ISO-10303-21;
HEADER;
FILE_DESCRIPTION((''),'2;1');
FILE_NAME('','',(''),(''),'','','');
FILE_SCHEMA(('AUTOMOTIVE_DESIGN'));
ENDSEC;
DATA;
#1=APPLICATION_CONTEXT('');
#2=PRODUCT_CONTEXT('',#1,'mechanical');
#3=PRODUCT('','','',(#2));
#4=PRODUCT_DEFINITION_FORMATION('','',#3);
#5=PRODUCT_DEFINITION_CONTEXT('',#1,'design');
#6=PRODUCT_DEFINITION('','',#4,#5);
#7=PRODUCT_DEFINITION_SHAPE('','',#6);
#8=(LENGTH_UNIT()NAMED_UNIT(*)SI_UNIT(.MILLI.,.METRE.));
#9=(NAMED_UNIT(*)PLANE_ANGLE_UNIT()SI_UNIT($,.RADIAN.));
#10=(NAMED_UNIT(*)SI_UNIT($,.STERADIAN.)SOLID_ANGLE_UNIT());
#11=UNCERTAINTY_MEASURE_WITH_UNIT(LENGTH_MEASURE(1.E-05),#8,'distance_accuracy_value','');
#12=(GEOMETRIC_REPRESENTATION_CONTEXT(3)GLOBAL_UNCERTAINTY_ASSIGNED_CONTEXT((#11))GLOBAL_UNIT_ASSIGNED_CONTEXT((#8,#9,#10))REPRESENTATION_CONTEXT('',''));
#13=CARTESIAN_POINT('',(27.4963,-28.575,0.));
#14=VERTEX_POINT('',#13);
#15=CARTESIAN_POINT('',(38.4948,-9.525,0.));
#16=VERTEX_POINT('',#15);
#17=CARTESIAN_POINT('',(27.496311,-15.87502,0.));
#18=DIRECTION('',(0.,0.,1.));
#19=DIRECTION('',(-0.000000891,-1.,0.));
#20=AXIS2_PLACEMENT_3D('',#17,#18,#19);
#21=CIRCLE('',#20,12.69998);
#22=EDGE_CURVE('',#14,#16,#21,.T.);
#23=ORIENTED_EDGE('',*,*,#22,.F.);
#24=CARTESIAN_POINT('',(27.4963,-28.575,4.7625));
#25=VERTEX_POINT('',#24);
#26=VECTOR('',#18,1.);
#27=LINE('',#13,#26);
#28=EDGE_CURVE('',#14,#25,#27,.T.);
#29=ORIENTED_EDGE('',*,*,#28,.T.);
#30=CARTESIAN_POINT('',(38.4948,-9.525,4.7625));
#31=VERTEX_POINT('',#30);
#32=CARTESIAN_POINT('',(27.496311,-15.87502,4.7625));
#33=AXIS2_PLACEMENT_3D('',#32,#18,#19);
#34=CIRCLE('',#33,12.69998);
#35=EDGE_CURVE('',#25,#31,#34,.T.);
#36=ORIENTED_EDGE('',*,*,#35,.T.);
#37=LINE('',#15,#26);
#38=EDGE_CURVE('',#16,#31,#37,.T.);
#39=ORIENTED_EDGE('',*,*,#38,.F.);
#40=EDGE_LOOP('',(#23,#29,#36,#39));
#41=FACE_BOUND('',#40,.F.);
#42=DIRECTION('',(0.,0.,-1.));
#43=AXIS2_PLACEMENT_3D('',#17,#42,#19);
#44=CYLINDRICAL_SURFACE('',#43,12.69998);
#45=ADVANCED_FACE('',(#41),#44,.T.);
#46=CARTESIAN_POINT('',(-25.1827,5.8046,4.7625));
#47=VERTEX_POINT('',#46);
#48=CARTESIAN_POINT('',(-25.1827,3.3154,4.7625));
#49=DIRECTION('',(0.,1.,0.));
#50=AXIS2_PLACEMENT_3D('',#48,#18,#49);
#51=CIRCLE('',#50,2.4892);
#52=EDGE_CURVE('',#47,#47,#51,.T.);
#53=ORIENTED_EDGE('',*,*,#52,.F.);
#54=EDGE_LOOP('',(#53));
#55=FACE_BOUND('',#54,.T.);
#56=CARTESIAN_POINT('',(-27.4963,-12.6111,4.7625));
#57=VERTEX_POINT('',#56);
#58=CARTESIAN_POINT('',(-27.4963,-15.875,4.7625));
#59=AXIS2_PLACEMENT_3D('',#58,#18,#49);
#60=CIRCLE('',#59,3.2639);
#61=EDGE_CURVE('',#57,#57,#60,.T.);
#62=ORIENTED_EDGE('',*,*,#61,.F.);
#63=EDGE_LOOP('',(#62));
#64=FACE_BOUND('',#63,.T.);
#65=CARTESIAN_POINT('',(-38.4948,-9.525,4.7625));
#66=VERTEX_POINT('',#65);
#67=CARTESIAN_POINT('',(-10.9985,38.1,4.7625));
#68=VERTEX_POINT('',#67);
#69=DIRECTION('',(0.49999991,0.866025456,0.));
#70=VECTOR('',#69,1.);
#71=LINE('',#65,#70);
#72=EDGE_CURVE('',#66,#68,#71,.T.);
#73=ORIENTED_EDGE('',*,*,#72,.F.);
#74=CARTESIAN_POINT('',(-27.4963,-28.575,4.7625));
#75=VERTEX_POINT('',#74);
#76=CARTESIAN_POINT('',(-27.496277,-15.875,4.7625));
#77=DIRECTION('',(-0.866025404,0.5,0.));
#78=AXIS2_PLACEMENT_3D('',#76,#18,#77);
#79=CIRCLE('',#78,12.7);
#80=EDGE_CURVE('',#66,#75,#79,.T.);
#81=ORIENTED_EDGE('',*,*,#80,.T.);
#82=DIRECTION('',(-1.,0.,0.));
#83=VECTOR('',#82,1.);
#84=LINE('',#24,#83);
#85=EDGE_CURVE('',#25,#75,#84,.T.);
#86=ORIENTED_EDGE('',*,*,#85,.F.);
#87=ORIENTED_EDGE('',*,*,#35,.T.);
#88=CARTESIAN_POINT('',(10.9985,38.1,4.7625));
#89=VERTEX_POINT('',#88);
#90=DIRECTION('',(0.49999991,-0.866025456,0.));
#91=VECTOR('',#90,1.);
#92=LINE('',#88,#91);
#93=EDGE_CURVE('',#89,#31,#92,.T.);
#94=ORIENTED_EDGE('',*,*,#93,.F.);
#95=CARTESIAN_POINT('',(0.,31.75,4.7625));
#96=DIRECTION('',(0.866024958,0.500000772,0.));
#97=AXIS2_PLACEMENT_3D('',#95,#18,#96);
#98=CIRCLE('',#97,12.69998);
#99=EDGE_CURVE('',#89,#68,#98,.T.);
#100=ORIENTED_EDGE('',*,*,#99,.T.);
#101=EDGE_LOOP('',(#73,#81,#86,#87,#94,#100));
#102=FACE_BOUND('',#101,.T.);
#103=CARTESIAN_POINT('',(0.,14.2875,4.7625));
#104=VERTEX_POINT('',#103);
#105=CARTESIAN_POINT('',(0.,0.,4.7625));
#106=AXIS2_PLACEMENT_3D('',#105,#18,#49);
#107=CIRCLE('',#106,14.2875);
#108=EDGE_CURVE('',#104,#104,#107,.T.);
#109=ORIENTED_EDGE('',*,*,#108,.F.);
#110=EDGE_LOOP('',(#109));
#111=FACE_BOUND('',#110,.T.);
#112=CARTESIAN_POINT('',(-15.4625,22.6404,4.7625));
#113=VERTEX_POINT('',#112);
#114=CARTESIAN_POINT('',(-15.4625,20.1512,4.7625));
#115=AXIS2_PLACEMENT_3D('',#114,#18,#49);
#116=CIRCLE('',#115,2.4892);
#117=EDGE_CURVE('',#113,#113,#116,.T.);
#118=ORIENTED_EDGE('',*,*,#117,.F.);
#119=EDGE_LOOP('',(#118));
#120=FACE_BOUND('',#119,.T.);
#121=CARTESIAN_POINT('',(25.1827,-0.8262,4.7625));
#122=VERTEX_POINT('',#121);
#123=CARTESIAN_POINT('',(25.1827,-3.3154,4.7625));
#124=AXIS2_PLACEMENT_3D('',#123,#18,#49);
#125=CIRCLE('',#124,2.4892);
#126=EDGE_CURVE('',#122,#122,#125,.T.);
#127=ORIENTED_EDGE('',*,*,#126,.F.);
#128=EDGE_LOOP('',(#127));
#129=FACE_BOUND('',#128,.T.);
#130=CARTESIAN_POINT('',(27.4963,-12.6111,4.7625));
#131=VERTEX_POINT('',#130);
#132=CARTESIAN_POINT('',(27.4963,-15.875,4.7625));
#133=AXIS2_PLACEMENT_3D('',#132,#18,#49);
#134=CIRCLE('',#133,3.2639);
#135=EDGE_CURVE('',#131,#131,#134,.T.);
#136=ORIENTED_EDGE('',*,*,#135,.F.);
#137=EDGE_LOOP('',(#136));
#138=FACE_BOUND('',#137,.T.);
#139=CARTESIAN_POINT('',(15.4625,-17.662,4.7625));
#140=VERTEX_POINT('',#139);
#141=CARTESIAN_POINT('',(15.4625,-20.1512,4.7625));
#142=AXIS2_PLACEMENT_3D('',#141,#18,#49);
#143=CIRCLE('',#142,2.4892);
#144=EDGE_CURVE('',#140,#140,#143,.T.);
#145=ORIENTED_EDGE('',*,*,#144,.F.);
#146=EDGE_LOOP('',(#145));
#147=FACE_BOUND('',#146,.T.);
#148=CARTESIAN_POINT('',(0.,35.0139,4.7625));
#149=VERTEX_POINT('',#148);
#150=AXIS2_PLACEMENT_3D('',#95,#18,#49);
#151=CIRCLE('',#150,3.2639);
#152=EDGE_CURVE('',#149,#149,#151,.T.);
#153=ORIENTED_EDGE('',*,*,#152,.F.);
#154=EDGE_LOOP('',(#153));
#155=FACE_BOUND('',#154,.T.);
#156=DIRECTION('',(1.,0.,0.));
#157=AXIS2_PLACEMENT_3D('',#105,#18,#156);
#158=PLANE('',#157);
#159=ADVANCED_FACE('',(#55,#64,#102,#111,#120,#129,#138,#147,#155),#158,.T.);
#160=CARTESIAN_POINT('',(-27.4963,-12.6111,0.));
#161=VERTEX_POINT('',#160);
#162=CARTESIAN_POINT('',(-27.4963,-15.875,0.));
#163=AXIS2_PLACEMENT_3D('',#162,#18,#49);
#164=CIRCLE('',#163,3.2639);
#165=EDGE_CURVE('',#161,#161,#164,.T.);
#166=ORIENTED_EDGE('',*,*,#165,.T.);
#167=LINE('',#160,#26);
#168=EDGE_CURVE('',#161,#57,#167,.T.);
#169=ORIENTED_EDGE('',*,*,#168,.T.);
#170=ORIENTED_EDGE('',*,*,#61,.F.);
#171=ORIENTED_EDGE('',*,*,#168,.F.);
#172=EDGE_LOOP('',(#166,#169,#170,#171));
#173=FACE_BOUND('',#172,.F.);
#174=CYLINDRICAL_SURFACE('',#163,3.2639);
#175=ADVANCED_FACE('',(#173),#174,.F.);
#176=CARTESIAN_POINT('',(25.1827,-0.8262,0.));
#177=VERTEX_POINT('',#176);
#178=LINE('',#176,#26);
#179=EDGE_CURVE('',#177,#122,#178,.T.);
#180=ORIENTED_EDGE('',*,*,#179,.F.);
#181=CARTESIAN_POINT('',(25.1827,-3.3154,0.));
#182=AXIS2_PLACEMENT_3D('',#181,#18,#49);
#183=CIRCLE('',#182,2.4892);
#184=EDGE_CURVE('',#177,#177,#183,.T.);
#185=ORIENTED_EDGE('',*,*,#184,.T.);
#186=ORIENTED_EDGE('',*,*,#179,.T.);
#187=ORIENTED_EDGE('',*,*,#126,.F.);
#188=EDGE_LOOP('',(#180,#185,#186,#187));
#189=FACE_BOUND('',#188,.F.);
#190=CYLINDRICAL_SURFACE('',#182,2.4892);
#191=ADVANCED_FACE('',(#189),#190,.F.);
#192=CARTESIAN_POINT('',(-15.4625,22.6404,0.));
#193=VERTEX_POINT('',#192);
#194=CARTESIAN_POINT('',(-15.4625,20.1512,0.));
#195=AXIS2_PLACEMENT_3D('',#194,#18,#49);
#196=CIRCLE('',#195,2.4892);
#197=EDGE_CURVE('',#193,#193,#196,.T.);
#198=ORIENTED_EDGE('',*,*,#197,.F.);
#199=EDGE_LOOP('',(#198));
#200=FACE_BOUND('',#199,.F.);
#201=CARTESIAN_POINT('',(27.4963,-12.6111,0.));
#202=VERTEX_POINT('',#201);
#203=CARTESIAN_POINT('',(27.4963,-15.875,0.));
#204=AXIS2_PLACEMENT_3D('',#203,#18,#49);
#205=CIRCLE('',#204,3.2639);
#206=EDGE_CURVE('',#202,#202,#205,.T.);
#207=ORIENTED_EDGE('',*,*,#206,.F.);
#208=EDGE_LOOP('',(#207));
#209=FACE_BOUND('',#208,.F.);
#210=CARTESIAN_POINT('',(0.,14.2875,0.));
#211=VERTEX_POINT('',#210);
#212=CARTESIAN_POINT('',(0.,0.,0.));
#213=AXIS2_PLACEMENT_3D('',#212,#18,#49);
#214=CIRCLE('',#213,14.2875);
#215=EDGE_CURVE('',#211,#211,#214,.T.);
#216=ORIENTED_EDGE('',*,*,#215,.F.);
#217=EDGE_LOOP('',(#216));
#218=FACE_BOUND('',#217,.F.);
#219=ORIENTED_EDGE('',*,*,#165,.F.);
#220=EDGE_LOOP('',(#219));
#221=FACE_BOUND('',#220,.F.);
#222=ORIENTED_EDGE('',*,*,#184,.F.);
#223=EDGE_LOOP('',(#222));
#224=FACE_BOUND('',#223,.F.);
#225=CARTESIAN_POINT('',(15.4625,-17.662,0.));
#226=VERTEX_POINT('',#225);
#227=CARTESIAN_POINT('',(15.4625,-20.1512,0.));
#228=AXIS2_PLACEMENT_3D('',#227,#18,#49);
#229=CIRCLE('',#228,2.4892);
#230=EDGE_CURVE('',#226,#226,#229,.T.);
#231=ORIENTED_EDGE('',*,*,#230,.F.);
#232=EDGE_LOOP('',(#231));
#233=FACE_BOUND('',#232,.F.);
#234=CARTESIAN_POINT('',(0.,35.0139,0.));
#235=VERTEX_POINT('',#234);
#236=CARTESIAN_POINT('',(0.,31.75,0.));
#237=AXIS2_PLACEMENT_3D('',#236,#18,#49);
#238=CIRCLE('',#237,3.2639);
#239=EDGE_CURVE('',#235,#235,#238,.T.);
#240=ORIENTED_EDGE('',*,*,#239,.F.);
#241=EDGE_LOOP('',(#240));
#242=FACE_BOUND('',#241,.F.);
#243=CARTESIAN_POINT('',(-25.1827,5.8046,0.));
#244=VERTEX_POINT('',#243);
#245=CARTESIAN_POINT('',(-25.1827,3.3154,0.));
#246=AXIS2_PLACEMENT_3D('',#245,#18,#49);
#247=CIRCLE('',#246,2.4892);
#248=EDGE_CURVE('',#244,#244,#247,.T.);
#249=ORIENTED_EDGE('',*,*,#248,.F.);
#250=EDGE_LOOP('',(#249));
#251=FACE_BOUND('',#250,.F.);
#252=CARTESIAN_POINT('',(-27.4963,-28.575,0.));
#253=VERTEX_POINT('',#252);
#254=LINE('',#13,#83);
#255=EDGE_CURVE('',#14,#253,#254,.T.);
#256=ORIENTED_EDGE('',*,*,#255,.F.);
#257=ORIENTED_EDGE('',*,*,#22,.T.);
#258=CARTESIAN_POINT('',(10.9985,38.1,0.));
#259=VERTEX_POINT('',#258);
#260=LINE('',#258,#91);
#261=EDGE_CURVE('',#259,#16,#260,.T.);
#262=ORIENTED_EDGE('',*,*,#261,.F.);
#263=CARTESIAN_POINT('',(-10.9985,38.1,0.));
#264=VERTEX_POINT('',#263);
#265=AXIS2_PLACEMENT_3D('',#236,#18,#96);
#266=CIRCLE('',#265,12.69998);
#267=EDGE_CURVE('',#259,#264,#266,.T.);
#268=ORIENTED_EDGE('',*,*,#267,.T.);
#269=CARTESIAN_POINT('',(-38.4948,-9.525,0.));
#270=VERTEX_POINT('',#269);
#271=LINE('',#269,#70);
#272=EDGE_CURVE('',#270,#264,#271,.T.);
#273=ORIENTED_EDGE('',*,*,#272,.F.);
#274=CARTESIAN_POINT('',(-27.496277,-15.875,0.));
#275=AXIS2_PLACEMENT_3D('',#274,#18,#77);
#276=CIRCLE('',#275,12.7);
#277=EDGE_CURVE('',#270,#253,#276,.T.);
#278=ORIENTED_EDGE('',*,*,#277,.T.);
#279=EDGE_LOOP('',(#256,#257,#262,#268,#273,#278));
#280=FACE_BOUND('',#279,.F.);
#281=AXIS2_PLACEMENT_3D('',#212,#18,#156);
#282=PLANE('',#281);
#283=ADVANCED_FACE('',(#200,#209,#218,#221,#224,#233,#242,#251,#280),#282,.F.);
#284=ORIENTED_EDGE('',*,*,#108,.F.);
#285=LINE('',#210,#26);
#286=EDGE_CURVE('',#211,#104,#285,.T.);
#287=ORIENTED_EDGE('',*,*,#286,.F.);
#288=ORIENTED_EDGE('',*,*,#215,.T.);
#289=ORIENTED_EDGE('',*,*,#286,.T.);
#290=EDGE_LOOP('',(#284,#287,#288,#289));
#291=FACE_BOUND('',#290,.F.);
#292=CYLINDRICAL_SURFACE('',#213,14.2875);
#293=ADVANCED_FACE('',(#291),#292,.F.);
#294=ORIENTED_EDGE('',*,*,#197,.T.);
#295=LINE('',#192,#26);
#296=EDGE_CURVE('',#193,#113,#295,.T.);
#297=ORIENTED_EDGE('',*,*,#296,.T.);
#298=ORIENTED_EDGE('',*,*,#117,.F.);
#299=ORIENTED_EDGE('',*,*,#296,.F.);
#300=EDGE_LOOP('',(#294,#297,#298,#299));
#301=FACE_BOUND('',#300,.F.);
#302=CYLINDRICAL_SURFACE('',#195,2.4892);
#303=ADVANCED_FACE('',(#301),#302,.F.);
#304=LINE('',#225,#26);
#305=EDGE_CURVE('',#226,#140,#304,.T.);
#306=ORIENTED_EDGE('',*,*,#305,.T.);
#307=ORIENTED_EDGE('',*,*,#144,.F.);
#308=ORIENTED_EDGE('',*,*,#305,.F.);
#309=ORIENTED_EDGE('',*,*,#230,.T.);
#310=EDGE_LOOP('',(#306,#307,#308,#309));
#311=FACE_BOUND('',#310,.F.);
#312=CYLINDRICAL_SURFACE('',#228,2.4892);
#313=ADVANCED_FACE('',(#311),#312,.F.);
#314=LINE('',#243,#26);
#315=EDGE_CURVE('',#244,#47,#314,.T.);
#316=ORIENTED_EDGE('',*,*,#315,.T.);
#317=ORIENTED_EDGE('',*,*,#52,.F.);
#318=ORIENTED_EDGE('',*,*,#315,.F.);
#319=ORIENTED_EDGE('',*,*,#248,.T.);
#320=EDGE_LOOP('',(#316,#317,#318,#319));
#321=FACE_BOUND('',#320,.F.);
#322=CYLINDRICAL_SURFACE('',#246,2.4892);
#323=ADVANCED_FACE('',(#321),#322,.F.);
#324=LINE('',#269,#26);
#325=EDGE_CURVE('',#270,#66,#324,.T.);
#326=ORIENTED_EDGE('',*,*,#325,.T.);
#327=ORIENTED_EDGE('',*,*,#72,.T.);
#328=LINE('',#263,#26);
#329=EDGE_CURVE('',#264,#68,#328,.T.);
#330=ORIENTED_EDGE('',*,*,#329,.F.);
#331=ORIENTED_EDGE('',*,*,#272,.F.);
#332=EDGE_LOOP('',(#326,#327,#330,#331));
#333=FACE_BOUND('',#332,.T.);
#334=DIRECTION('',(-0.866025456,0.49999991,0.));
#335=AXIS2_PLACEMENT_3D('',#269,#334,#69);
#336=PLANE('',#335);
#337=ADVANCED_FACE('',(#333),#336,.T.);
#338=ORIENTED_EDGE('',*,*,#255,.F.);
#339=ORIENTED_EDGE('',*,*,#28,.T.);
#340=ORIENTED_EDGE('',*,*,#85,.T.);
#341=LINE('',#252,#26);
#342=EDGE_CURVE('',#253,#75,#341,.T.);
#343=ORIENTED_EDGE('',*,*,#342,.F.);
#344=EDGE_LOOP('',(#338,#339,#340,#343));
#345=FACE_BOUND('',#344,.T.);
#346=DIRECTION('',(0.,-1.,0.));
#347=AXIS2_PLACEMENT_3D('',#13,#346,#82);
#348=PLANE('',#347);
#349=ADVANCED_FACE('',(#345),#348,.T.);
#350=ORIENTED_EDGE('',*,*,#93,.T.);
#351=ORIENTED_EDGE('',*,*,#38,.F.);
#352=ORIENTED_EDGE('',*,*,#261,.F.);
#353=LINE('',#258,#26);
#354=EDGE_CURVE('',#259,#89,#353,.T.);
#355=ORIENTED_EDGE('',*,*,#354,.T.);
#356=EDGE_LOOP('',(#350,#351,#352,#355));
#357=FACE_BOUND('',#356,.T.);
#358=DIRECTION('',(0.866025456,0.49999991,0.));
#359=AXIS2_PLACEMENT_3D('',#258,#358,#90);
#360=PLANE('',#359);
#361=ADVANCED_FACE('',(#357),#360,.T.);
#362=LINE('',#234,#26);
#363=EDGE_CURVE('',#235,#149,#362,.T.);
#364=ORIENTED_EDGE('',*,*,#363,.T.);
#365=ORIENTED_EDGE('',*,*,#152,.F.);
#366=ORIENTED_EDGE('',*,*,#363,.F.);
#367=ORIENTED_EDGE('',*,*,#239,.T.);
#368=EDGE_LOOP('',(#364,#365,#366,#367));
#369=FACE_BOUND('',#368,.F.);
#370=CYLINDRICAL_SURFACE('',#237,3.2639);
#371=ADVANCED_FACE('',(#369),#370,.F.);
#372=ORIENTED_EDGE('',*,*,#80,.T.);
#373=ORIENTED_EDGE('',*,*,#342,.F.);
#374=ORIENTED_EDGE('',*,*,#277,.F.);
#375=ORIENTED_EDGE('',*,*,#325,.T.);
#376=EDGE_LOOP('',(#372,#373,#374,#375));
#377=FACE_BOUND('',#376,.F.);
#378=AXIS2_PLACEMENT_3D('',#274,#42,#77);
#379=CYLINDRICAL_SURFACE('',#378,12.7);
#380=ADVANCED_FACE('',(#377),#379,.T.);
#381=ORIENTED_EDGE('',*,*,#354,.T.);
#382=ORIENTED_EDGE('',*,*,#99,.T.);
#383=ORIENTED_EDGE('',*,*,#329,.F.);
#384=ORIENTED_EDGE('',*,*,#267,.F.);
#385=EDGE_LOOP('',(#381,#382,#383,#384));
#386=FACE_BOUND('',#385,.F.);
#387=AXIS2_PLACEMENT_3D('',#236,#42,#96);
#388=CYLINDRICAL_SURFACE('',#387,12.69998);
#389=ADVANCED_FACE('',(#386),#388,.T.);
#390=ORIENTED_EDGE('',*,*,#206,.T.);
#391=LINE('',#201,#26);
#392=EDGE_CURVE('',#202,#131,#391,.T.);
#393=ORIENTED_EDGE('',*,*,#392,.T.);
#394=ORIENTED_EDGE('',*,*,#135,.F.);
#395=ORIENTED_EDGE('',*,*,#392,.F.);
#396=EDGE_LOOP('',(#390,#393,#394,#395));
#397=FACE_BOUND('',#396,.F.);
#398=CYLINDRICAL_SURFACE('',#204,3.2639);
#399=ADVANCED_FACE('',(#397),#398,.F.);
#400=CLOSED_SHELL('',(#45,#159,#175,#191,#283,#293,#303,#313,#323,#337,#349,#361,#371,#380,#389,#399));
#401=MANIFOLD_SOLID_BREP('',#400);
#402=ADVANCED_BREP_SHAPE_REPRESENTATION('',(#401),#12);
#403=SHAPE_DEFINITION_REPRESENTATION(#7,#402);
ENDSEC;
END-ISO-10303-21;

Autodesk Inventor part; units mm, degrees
ref_plane "YZ Plane" through (0, 0, 0) normal (1, 0, 0) x (0, 1, 0)
ref_plane "XZ Plane" through (0, 0, 0) normal (0, 1, 0) x (-1, 0, 0)
ref_plane "XY Plane" through (0, 0, 0) normal (0, 0, 1) x (1, 0, 0)
sketch "Sketch2" plane through (0, 0, 0) normal (0, 0, 1) x (1, 0, 0)
  line L0 (27.4963, -15.875) -> (0, 0) construction
  arc A0 (-38.4948, -9.525) -> (-27.4963, -28.575) centre (-27.4963, -15.875) ccw
  arc A1 (27.4963, -28.575) -> (38.4948, -9.525) centre (27.4963, -15.875) ccw
  arc A2 (10.9985, 38.1) -> (-10.9985, 38.1) centre (0, 31.75) ccw
  line L1 (-38.4948, -9.525) -> (-10.9985, 38.1)
  line L2 (10.9985, 38.1) -> (38.4948, -9.525)
  line L3 (27.4963, -28.575) -> (-27.4963, -28.575)
  point P0 (-25.1827, 3.3154)
  point P1 (-20.1512, -15.4625)
  point P2 (-3.3154, -25.1827)
  point P3 (15.4625, -20.1512)
  point P4 (25.1827, -3.3154)
  point P5 (20.1512, 15.4625)
  point P6 (3.3154, 25.1827)
  point P7 (-15.4625, 20.1512)
  dimension "d74" = 31.75
  dimension "d77" = 360
  dimension "d80" = 25.4
  dimension "d83" = 360
  dimension "d92" = 12.7
extrude "Plate2" add sketch "Sketch2" along normal blind 4.7625
hole "Hole3" at (-27.4963, -15.875, 0) at (0, 31.75, 0) at (27.4963, -15.875, 0) direction (0, 0, 1) diameter 6.5278 end through all clearance for "Flat Head Machine Screw (82)" size "1/4" standard "Ansi Unified Screw Threads"
hole "Hole4" at (0, 0, 0) direction (0, 0, 1) diameter 28.575 end through all
hole "Hole5" at (-25.1827, 3.3154, 0) at (15.4625, -20.1512, 0) at (25.1827, -3.3154, 0) at (-15.4625, 20.1512, 0) direction (0, 0, 1) diameter 4.9784 end through all clearance for "Flat Head Machine Screw (82)" size "#10" standard "Ansi Unified Screw Threads"
equation "\"BendRadius\" = Thickness"
equation "\"BendReliefWidth\" = Thickness"
equation "\"BendReliefDepth\" = 0.5 * Thickness"
equation "\"CornerReliefSize\" = 4 * Thickness"
equation "\"MinimumRemnant\" = 2 * Thickness"
equation "\"TransitionRadius\" = BendRadius"
equation "\"JacobiRadiusSize\" = BendRadius"
equation "\"GapSize\" = Thickness"
equation "\"Thickness\" = 4.7625"
properties part number "PLATE,TURRET,MOTOR,MOUNT" material "Aluminum 6061"
